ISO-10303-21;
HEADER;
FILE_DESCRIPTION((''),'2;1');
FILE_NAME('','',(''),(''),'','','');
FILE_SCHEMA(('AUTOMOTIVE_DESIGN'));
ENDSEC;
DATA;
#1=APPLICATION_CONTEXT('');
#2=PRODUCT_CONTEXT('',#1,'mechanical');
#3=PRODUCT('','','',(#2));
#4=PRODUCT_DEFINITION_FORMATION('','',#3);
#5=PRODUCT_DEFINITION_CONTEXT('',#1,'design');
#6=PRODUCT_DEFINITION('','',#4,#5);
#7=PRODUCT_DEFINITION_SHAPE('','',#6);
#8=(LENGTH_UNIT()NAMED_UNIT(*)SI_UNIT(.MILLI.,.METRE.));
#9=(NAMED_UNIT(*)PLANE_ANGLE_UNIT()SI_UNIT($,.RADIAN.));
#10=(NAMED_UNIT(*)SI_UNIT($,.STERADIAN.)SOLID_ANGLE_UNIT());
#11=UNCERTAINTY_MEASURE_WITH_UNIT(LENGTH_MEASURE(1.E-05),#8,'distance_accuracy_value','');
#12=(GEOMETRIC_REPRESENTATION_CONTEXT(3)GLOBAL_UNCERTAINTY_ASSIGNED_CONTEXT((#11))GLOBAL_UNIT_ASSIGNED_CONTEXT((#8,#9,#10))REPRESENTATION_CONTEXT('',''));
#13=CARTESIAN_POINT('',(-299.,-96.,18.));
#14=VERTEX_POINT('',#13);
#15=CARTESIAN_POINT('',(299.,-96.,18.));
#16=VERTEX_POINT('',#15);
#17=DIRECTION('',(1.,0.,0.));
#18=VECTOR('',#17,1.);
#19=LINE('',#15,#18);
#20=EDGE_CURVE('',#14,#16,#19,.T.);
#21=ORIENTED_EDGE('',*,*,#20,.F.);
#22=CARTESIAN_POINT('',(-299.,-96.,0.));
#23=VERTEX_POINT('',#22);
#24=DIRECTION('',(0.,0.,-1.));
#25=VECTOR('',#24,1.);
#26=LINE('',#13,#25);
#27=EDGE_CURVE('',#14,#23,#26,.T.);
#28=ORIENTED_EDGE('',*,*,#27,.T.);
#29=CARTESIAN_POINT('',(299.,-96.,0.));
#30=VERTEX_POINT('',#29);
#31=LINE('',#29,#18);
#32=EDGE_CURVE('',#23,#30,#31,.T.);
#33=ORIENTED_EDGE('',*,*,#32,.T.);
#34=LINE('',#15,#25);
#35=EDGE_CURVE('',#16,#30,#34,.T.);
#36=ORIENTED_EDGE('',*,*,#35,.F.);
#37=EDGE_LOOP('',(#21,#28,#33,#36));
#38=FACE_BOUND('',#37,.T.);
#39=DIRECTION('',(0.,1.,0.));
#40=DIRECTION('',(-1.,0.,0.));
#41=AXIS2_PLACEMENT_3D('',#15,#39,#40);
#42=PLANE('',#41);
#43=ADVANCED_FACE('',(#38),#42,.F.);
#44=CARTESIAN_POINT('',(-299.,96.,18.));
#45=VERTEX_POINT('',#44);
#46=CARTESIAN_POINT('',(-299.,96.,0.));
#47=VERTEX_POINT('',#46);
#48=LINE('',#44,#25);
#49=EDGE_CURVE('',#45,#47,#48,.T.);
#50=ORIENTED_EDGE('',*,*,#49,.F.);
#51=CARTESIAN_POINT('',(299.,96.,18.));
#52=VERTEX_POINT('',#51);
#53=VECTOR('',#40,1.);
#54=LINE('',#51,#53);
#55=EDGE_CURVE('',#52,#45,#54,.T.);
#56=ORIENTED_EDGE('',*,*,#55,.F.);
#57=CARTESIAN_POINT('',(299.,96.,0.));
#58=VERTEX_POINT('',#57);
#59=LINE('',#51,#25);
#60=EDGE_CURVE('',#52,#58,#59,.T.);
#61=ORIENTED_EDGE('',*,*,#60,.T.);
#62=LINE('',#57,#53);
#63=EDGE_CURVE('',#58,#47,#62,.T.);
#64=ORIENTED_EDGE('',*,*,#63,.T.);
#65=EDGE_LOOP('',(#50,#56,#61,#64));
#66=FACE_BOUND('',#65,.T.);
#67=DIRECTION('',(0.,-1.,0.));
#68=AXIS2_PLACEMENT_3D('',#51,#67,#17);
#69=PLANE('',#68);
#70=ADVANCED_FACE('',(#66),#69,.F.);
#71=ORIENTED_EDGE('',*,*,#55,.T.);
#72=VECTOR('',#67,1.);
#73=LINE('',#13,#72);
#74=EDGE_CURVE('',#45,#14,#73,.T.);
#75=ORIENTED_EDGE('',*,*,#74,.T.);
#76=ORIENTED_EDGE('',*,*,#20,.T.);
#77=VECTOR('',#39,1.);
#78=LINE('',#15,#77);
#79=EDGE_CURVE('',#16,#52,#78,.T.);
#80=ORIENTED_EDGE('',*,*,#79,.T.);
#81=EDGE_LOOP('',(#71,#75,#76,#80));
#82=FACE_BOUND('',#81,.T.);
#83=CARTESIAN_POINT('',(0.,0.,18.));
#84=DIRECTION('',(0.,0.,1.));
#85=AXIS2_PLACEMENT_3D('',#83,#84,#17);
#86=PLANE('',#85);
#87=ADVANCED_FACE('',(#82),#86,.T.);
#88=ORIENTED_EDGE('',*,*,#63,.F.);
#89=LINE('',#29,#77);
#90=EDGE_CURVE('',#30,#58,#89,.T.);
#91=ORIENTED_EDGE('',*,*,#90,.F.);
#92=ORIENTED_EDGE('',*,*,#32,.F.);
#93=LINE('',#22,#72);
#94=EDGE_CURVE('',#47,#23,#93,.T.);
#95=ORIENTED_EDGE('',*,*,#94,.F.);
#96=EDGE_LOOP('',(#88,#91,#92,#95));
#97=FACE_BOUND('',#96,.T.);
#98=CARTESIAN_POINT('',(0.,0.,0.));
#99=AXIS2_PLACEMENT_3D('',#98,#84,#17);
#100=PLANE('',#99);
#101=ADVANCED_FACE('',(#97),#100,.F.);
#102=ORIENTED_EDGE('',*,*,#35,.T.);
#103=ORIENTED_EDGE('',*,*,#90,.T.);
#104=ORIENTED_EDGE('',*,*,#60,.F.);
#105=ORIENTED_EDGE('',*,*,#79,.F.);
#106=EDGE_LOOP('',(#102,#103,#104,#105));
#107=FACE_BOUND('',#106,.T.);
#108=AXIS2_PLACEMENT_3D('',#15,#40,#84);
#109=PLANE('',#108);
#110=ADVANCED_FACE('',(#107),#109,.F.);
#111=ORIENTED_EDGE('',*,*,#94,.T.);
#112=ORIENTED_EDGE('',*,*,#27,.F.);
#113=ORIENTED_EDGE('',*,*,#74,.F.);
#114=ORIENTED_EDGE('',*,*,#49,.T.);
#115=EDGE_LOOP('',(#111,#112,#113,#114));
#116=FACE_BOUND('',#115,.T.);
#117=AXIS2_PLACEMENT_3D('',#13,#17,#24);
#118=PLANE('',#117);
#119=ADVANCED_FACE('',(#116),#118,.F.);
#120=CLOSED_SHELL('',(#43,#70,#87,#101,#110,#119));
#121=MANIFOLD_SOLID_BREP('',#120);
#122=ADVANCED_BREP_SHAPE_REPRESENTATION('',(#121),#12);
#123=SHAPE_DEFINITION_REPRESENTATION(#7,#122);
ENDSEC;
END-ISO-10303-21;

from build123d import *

# Parameters (mm, degrees)
SKETCH1_W           = 598
SKETCH1_H           = 192
BOSS_EXTRUDE1_DEPTH = 18


with BuildPart() as part:
    # Sketch1 → Boss-Extrude1 (new body)
    with BuildSketch(Plane.XY):
        Rectangle(SKETCH1_W, SKETCH1_H)
    extrude(amount=BOSS_EXTRUDE1_DEPTH)


solid = part.part
